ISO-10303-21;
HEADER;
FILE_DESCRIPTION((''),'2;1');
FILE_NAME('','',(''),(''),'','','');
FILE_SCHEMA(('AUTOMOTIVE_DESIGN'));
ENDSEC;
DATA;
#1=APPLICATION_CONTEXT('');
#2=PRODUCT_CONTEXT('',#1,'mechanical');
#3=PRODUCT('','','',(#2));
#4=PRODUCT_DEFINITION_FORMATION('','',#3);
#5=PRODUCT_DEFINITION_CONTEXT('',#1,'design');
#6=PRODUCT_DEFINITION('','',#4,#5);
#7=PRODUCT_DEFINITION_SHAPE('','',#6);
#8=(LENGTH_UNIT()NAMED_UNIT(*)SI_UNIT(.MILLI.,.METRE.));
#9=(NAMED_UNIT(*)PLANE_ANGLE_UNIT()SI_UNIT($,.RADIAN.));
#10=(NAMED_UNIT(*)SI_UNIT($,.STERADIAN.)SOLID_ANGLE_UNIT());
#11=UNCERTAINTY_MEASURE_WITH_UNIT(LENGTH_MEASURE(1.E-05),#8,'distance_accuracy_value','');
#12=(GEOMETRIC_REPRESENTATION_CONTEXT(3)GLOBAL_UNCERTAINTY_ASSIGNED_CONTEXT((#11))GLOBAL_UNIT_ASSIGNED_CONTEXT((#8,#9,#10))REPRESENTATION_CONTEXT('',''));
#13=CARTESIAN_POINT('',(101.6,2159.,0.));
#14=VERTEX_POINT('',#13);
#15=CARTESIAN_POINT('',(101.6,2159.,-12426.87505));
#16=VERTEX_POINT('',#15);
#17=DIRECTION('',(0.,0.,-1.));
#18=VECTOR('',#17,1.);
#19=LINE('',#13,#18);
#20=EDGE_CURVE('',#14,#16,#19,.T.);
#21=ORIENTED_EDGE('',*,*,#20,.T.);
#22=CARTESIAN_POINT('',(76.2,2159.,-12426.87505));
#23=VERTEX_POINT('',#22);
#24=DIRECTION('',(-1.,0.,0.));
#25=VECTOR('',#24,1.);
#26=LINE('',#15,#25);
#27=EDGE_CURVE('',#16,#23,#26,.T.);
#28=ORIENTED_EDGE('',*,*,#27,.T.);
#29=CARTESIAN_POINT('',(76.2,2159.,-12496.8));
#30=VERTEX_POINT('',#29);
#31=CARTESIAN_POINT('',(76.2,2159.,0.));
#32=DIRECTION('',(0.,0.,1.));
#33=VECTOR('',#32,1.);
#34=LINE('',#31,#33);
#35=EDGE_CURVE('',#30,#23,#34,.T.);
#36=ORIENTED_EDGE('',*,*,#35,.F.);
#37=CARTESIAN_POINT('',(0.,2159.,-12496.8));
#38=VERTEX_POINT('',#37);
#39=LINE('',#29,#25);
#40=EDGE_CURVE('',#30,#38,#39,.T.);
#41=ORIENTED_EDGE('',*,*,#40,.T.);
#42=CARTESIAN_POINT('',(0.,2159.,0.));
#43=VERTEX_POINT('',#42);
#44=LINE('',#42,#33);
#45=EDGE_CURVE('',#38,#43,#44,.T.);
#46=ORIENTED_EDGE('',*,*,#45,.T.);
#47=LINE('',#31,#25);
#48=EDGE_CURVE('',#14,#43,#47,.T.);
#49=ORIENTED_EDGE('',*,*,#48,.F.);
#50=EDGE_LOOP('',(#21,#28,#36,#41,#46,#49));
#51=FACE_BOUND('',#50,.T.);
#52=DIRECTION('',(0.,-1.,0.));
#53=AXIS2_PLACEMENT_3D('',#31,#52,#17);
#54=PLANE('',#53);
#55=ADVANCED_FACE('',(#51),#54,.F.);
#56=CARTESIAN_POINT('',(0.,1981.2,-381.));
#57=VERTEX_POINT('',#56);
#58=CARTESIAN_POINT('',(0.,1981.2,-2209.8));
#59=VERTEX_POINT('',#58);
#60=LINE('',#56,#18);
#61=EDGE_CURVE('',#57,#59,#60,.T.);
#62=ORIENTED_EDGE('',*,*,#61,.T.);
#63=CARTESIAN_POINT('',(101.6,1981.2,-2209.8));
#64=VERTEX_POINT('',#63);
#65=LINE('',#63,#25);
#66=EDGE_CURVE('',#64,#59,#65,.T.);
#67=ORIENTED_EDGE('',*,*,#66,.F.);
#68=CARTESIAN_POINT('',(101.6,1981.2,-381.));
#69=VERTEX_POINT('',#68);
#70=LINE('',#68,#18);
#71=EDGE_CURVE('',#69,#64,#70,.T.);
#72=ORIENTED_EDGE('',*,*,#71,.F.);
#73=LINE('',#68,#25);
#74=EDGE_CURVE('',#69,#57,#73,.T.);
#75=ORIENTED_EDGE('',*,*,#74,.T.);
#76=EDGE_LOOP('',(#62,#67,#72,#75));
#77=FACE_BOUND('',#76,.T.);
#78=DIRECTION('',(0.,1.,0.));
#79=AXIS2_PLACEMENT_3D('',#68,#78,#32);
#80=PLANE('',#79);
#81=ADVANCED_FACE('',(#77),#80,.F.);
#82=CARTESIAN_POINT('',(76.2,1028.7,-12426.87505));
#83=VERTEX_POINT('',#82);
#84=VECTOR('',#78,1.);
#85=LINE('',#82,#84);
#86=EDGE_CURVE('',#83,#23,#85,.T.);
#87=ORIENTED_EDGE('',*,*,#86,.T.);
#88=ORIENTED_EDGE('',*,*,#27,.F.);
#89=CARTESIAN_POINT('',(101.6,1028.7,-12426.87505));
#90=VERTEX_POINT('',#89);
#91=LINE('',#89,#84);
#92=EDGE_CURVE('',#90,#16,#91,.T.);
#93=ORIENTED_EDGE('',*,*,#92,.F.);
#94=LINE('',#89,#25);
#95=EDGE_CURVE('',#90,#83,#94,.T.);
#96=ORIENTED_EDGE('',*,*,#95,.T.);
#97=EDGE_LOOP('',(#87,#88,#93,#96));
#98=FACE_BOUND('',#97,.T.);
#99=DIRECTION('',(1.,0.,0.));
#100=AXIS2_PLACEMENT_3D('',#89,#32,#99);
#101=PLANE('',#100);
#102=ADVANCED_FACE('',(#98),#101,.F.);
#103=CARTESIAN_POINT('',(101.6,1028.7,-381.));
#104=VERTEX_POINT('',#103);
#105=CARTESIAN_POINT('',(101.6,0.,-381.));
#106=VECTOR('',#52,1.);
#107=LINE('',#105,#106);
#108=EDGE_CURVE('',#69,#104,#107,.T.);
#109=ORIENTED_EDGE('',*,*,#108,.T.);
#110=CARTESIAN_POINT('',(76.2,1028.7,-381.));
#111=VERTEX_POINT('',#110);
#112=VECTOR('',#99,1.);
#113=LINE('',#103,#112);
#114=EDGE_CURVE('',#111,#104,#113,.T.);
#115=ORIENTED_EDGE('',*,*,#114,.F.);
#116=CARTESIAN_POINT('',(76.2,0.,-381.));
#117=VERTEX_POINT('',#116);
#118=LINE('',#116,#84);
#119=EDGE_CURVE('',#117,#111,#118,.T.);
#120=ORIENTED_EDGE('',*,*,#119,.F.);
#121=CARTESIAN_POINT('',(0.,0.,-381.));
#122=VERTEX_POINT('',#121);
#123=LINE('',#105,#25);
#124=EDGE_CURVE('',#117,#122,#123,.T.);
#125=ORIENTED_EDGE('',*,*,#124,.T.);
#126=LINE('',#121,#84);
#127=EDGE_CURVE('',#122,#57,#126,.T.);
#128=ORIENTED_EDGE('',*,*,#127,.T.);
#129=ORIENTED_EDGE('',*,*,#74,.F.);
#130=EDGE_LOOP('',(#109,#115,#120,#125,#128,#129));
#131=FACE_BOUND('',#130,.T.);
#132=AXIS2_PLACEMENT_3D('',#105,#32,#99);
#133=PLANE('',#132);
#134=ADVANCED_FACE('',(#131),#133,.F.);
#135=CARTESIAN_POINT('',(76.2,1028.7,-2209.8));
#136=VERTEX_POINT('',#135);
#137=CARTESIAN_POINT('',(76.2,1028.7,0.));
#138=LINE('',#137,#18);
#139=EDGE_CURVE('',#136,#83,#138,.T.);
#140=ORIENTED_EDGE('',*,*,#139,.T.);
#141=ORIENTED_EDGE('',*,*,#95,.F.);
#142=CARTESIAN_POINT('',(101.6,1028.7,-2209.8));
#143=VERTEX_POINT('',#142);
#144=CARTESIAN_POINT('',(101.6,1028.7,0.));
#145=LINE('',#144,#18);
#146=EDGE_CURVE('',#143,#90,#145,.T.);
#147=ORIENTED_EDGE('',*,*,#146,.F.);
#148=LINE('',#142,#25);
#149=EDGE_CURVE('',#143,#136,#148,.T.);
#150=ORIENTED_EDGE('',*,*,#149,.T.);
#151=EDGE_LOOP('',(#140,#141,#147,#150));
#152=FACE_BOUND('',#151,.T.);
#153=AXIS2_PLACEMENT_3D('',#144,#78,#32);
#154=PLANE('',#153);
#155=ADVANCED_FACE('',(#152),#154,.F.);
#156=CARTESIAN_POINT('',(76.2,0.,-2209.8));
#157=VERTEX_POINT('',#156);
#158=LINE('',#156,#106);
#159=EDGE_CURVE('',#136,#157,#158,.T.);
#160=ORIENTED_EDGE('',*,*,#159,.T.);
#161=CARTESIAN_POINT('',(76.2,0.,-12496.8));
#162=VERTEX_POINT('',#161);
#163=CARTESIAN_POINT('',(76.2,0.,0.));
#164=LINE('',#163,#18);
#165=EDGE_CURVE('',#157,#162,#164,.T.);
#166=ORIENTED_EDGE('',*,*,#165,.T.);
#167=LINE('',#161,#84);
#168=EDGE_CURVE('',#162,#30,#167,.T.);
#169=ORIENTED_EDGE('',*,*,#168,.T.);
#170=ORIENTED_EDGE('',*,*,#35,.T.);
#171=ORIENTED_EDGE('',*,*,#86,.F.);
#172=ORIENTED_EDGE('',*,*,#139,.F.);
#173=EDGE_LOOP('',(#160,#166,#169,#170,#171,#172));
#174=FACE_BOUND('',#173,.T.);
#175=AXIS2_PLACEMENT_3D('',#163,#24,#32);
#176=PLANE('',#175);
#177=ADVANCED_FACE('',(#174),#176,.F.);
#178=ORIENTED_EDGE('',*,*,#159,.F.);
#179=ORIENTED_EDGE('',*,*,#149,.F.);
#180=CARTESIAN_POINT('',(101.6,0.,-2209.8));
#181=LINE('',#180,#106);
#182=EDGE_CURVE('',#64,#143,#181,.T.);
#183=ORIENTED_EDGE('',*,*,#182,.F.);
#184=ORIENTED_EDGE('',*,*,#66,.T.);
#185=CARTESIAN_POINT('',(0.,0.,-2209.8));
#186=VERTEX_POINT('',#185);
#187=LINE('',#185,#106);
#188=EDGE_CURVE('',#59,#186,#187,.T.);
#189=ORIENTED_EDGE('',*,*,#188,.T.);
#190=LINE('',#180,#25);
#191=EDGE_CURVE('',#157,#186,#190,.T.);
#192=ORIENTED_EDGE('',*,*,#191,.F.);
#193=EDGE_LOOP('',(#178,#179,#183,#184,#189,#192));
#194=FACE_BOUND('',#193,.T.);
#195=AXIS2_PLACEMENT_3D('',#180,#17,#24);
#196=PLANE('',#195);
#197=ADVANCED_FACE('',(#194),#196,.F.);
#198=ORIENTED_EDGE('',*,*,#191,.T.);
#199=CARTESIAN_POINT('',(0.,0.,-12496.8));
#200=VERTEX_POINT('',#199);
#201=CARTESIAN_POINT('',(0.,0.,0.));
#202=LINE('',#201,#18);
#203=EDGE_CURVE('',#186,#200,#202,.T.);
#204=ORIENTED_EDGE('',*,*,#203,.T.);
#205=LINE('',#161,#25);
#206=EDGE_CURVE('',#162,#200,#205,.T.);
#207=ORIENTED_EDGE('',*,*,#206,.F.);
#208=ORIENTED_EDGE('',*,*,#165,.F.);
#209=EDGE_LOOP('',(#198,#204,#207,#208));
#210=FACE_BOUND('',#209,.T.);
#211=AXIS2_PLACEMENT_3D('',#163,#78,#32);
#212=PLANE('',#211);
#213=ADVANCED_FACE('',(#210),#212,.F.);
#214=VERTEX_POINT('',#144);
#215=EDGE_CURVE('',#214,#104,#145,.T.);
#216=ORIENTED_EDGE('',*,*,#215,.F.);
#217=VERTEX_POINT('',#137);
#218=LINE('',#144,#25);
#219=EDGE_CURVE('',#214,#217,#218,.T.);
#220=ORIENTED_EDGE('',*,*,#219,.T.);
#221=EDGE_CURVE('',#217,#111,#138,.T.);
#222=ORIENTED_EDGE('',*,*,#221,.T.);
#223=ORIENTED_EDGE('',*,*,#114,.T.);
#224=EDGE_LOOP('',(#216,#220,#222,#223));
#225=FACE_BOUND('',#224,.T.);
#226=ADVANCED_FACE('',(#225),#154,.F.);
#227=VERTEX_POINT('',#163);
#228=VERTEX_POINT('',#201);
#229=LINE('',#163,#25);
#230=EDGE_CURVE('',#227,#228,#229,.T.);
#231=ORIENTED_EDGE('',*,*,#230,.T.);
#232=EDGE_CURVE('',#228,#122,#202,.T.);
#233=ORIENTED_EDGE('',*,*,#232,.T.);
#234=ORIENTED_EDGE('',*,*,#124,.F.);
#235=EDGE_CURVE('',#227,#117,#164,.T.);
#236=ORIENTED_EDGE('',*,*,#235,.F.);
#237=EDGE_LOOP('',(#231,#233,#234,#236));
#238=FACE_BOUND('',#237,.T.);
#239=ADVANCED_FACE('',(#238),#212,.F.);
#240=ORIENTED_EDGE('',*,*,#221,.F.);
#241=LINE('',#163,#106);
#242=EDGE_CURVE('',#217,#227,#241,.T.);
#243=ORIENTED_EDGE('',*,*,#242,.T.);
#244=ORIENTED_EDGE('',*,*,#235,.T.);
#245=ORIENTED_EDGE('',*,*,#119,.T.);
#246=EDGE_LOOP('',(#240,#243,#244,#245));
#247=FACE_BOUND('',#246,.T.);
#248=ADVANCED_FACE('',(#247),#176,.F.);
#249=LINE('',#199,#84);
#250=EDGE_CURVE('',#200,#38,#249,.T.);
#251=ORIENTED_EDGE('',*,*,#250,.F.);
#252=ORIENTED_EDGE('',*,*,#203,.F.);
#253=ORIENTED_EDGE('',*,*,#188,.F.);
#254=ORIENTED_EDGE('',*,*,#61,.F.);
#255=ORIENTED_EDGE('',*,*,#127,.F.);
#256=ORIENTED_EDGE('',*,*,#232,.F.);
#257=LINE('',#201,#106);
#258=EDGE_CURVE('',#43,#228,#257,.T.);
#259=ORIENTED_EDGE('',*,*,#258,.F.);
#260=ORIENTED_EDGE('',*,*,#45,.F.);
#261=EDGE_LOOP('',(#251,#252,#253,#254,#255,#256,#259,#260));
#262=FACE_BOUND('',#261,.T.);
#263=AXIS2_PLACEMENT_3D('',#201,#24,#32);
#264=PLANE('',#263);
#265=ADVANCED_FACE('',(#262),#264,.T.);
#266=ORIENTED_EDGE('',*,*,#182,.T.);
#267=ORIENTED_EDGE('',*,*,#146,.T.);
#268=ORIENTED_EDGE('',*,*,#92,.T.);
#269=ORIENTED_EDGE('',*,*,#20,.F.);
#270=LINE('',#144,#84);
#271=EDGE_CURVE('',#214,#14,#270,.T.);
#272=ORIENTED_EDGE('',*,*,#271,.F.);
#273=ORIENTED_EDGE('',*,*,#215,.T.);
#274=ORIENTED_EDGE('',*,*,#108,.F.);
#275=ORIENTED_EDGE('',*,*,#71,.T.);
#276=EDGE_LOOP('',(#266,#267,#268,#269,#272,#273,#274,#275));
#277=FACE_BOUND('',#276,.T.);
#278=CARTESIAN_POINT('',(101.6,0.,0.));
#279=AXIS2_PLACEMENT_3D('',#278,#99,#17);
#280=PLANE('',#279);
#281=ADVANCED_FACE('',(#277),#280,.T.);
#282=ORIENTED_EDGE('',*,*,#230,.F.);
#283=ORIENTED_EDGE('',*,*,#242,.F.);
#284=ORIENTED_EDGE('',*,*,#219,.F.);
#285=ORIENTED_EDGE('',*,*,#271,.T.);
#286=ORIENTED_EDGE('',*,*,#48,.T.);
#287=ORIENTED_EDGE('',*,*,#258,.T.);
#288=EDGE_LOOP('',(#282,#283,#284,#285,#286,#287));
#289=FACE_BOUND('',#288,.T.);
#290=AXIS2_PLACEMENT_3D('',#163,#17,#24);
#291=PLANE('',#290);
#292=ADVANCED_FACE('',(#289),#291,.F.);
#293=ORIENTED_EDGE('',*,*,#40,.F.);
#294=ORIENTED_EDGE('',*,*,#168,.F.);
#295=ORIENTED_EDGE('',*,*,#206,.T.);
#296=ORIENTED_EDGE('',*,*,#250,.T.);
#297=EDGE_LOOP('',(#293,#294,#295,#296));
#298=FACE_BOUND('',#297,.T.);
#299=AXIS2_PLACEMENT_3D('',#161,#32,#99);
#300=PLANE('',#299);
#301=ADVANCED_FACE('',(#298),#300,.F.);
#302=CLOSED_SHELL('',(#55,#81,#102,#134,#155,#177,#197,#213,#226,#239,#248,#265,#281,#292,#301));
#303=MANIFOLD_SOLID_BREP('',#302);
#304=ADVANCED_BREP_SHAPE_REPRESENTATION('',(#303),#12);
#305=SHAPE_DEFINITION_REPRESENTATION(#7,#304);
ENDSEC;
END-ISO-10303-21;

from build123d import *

# Parameters (mm, degrees)
SKETCH1_W           = 12496.8
SKETCH1_H           = 2159
BOSS_EXTRUDE1_DEPTH = 76.2
SKETCH3_W           = 12426.875050424
SKETCH3_H           = 1130.3
BOSS_EXTRUDE2_DEPTH = 25.4
SKETCH2_W           = 1828.8
SKETCH2_H           = 1981.2
CUT_EXTRUDE1_DEPTH  = 12683.334714082


with BuildPart() as part:
    # Sketch1 → Boss-Extrude1 (new body)
    with BuildSketch(Plane(origin=(0, 0, 0), x_dir=(0, 0, -1), z_dir=(1, 0, 0))):
        with Locations((6248.4, 1079.5)):
            Rectangle(SKETCH1_W, SKETCH1_H)
    extrude(amount=BOSS_EXTRUDE1_DEPTH)

    # Sketch3 → Boss-Extrude2 (add)
    with BuildSketch(Plane(origin=(76.2, 0, 0), x_dir=(0, 0, -1), z_dir=(1, 0, 0))):
        with Locations((6213.437525212, 1593.85)):
            Rectangle(SKETCH3_W, SKETCH3_H)
    extrude(amount=BOSS_EXTRUDE2_DEPTH)

    # Sketch2 → Cut-Extrude1 (cut, through all)
    with BuildSketch(Plane.ZY):
        with Locations((-1295.4, 990.6)):
            Rectangle(SKETCH2_W, SKETCH2_H)
    extrude(amount=-CUT_EXTRUDE1_DEPTH, mode=Mode.SUBTRACT)


solid = part.part
